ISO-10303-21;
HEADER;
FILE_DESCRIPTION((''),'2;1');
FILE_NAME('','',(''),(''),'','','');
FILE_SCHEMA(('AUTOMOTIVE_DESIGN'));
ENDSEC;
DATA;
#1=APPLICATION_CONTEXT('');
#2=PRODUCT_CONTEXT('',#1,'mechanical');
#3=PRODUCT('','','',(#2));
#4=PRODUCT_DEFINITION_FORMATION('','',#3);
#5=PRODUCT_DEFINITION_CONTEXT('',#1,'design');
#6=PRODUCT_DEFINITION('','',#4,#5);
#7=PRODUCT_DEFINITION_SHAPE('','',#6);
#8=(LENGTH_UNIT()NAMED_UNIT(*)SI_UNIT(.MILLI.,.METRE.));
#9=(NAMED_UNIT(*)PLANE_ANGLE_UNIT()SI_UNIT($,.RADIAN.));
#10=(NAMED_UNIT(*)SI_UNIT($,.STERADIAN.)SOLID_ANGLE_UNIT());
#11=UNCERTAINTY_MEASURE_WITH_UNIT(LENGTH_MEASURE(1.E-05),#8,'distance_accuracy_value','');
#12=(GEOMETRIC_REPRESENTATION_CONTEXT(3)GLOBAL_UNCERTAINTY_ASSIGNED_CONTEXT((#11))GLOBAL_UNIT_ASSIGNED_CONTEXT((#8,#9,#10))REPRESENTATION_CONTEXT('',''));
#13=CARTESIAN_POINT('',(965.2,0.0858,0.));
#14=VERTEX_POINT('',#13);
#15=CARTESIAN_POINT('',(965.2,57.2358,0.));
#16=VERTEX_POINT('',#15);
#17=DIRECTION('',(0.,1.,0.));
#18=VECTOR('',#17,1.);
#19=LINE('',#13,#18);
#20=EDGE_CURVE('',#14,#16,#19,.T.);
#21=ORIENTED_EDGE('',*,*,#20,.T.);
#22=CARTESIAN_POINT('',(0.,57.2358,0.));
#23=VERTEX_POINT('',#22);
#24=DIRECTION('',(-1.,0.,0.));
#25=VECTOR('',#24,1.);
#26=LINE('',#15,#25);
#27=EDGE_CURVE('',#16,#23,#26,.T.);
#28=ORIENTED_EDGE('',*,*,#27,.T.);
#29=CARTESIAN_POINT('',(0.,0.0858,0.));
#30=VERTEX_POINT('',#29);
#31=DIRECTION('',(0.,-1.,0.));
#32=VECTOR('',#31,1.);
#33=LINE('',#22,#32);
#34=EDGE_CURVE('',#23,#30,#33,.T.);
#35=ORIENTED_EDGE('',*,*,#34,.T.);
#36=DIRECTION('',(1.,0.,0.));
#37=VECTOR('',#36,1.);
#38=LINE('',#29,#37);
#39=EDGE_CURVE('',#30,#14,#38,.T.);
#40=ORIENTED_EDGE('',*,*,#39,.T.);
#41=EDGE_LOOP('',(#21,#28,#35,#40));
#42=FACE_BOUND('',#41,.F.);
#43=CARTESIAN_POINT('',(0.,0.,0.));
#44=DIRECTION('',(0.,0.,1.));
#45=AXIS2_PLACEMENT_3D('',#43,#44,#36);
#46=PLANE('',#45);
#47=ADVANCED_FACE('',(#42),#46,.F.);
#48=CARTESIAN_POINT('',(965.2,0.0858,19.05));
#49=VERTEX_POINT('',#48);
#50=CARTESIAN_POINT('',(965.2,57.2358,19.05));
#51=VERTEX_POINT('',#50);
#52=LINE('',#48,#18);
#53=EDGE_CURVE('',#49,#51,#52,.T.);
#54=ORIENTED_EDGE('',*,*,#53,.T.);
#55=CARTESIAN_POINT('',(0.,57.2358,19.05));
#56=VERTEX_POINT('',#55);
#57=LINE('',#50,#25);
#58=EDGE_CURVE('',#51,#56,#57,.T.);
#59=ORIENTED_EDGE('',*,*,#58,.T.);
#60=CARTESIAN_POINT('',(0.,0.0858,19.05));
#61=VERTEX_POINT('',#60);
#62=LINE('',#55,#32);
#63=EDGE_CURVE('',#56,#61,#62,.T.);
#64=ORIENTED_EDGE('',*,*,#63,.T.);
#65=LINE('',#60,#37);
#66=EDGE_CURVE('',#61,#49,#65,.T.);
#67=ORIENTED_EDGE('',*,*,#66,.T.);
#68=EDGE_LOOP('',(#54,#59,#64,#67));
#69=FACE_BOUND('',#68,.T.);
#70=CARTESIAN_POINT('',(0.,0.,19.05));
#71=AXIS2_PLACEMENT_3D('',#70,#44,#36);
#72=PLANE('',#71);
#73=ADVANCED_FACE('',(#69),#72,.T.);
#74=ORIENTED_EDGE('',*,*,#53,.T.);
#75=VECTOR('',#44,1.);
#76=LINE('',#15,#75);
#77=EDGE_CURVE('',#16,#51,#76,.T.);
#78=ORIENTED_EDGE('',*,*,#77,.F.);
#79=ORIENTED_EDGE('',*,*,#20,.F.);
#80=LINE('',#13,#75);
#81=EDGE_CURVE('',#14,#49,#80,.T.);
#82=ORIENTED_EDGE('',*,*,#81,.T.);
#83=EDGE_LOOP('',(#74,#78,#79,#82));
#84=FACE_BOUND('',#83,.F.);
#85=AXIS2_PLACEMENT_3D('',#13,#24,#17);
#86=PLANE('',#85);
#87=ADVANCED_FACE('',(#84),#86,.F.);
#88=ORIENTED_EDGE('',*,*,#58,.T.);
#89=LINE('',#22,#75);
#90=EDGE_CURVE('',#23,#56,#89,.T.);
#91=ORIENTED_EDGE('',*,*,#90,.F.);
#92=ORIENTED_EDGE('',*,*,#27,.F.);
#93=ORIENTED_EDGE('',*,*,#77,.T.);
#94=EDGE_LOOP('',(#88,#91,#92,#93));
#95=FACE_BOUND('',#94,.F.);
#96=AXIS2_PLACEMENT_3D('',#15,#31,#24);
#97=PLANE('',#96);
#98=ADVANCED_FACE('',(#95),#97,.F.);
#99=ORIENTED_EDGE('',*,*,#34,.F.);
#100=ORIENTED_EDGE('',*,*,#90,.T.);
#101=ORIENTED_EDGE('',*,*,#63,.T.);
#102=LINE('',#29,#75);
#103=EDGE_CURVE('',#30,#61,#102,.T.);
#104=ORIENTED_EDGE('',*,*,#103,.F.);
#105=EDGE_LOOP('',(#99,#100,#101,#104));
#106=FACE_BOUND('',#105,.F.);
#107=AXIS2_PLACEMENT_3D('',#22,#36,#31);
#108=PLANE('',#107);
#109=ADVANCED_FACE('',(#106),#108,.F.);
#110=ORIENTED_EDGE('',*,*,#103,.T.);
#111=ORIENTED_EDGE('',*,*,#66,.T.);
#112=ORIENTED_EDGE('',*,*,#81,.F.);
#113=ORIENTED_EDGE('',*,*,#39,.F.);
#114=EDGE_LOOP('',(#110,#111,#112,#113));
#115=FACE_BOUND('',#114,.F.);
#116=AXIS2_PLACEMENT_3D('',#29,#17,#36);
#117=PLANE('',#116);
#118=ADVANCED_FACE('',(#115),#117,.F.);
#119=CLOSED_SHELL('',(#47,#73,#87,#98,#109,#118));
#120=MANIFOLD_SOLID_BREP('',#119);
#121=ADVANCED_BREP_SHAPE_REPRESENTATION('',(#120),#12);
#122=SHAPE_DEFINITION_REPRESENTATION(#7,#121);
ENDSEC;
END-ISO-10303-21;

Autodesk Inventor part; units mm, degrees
ref_plane "YZ Plane" through (0, 0, 0) normal (1, 0, 0) x (0, 1, 0)
ref_plane "XZ Plane" through (0, 0, 0) normal (0, 1, 0) x (-1, 0, 0)
ref_plane "XY Plane" through (0, 0, 0) normal (0, 0, 1) x (1, 0, 0)
sketch "Sketch1" plane through (0, 0, 0) normal (0, 0, 1) x (1, 0, 0)
  line L0 (965.2, 57.2358) -> (0, 57.2358)
  line L1 (965.2, 57.2358) -> (0, 57.2358)
  line L2 (0, 57.2358) -> (0, 0.0858)
  line L3 (0, 0.0858) -> (965.2, 0.0858)
  line L4 (965.2, 0.0858) -> (965.2, 57.2358)
  point P0 (0, 0)
extrude "Extrusion1" add sketch "Sketch1" along normal blind 19.05
properties part number "nd-2"
